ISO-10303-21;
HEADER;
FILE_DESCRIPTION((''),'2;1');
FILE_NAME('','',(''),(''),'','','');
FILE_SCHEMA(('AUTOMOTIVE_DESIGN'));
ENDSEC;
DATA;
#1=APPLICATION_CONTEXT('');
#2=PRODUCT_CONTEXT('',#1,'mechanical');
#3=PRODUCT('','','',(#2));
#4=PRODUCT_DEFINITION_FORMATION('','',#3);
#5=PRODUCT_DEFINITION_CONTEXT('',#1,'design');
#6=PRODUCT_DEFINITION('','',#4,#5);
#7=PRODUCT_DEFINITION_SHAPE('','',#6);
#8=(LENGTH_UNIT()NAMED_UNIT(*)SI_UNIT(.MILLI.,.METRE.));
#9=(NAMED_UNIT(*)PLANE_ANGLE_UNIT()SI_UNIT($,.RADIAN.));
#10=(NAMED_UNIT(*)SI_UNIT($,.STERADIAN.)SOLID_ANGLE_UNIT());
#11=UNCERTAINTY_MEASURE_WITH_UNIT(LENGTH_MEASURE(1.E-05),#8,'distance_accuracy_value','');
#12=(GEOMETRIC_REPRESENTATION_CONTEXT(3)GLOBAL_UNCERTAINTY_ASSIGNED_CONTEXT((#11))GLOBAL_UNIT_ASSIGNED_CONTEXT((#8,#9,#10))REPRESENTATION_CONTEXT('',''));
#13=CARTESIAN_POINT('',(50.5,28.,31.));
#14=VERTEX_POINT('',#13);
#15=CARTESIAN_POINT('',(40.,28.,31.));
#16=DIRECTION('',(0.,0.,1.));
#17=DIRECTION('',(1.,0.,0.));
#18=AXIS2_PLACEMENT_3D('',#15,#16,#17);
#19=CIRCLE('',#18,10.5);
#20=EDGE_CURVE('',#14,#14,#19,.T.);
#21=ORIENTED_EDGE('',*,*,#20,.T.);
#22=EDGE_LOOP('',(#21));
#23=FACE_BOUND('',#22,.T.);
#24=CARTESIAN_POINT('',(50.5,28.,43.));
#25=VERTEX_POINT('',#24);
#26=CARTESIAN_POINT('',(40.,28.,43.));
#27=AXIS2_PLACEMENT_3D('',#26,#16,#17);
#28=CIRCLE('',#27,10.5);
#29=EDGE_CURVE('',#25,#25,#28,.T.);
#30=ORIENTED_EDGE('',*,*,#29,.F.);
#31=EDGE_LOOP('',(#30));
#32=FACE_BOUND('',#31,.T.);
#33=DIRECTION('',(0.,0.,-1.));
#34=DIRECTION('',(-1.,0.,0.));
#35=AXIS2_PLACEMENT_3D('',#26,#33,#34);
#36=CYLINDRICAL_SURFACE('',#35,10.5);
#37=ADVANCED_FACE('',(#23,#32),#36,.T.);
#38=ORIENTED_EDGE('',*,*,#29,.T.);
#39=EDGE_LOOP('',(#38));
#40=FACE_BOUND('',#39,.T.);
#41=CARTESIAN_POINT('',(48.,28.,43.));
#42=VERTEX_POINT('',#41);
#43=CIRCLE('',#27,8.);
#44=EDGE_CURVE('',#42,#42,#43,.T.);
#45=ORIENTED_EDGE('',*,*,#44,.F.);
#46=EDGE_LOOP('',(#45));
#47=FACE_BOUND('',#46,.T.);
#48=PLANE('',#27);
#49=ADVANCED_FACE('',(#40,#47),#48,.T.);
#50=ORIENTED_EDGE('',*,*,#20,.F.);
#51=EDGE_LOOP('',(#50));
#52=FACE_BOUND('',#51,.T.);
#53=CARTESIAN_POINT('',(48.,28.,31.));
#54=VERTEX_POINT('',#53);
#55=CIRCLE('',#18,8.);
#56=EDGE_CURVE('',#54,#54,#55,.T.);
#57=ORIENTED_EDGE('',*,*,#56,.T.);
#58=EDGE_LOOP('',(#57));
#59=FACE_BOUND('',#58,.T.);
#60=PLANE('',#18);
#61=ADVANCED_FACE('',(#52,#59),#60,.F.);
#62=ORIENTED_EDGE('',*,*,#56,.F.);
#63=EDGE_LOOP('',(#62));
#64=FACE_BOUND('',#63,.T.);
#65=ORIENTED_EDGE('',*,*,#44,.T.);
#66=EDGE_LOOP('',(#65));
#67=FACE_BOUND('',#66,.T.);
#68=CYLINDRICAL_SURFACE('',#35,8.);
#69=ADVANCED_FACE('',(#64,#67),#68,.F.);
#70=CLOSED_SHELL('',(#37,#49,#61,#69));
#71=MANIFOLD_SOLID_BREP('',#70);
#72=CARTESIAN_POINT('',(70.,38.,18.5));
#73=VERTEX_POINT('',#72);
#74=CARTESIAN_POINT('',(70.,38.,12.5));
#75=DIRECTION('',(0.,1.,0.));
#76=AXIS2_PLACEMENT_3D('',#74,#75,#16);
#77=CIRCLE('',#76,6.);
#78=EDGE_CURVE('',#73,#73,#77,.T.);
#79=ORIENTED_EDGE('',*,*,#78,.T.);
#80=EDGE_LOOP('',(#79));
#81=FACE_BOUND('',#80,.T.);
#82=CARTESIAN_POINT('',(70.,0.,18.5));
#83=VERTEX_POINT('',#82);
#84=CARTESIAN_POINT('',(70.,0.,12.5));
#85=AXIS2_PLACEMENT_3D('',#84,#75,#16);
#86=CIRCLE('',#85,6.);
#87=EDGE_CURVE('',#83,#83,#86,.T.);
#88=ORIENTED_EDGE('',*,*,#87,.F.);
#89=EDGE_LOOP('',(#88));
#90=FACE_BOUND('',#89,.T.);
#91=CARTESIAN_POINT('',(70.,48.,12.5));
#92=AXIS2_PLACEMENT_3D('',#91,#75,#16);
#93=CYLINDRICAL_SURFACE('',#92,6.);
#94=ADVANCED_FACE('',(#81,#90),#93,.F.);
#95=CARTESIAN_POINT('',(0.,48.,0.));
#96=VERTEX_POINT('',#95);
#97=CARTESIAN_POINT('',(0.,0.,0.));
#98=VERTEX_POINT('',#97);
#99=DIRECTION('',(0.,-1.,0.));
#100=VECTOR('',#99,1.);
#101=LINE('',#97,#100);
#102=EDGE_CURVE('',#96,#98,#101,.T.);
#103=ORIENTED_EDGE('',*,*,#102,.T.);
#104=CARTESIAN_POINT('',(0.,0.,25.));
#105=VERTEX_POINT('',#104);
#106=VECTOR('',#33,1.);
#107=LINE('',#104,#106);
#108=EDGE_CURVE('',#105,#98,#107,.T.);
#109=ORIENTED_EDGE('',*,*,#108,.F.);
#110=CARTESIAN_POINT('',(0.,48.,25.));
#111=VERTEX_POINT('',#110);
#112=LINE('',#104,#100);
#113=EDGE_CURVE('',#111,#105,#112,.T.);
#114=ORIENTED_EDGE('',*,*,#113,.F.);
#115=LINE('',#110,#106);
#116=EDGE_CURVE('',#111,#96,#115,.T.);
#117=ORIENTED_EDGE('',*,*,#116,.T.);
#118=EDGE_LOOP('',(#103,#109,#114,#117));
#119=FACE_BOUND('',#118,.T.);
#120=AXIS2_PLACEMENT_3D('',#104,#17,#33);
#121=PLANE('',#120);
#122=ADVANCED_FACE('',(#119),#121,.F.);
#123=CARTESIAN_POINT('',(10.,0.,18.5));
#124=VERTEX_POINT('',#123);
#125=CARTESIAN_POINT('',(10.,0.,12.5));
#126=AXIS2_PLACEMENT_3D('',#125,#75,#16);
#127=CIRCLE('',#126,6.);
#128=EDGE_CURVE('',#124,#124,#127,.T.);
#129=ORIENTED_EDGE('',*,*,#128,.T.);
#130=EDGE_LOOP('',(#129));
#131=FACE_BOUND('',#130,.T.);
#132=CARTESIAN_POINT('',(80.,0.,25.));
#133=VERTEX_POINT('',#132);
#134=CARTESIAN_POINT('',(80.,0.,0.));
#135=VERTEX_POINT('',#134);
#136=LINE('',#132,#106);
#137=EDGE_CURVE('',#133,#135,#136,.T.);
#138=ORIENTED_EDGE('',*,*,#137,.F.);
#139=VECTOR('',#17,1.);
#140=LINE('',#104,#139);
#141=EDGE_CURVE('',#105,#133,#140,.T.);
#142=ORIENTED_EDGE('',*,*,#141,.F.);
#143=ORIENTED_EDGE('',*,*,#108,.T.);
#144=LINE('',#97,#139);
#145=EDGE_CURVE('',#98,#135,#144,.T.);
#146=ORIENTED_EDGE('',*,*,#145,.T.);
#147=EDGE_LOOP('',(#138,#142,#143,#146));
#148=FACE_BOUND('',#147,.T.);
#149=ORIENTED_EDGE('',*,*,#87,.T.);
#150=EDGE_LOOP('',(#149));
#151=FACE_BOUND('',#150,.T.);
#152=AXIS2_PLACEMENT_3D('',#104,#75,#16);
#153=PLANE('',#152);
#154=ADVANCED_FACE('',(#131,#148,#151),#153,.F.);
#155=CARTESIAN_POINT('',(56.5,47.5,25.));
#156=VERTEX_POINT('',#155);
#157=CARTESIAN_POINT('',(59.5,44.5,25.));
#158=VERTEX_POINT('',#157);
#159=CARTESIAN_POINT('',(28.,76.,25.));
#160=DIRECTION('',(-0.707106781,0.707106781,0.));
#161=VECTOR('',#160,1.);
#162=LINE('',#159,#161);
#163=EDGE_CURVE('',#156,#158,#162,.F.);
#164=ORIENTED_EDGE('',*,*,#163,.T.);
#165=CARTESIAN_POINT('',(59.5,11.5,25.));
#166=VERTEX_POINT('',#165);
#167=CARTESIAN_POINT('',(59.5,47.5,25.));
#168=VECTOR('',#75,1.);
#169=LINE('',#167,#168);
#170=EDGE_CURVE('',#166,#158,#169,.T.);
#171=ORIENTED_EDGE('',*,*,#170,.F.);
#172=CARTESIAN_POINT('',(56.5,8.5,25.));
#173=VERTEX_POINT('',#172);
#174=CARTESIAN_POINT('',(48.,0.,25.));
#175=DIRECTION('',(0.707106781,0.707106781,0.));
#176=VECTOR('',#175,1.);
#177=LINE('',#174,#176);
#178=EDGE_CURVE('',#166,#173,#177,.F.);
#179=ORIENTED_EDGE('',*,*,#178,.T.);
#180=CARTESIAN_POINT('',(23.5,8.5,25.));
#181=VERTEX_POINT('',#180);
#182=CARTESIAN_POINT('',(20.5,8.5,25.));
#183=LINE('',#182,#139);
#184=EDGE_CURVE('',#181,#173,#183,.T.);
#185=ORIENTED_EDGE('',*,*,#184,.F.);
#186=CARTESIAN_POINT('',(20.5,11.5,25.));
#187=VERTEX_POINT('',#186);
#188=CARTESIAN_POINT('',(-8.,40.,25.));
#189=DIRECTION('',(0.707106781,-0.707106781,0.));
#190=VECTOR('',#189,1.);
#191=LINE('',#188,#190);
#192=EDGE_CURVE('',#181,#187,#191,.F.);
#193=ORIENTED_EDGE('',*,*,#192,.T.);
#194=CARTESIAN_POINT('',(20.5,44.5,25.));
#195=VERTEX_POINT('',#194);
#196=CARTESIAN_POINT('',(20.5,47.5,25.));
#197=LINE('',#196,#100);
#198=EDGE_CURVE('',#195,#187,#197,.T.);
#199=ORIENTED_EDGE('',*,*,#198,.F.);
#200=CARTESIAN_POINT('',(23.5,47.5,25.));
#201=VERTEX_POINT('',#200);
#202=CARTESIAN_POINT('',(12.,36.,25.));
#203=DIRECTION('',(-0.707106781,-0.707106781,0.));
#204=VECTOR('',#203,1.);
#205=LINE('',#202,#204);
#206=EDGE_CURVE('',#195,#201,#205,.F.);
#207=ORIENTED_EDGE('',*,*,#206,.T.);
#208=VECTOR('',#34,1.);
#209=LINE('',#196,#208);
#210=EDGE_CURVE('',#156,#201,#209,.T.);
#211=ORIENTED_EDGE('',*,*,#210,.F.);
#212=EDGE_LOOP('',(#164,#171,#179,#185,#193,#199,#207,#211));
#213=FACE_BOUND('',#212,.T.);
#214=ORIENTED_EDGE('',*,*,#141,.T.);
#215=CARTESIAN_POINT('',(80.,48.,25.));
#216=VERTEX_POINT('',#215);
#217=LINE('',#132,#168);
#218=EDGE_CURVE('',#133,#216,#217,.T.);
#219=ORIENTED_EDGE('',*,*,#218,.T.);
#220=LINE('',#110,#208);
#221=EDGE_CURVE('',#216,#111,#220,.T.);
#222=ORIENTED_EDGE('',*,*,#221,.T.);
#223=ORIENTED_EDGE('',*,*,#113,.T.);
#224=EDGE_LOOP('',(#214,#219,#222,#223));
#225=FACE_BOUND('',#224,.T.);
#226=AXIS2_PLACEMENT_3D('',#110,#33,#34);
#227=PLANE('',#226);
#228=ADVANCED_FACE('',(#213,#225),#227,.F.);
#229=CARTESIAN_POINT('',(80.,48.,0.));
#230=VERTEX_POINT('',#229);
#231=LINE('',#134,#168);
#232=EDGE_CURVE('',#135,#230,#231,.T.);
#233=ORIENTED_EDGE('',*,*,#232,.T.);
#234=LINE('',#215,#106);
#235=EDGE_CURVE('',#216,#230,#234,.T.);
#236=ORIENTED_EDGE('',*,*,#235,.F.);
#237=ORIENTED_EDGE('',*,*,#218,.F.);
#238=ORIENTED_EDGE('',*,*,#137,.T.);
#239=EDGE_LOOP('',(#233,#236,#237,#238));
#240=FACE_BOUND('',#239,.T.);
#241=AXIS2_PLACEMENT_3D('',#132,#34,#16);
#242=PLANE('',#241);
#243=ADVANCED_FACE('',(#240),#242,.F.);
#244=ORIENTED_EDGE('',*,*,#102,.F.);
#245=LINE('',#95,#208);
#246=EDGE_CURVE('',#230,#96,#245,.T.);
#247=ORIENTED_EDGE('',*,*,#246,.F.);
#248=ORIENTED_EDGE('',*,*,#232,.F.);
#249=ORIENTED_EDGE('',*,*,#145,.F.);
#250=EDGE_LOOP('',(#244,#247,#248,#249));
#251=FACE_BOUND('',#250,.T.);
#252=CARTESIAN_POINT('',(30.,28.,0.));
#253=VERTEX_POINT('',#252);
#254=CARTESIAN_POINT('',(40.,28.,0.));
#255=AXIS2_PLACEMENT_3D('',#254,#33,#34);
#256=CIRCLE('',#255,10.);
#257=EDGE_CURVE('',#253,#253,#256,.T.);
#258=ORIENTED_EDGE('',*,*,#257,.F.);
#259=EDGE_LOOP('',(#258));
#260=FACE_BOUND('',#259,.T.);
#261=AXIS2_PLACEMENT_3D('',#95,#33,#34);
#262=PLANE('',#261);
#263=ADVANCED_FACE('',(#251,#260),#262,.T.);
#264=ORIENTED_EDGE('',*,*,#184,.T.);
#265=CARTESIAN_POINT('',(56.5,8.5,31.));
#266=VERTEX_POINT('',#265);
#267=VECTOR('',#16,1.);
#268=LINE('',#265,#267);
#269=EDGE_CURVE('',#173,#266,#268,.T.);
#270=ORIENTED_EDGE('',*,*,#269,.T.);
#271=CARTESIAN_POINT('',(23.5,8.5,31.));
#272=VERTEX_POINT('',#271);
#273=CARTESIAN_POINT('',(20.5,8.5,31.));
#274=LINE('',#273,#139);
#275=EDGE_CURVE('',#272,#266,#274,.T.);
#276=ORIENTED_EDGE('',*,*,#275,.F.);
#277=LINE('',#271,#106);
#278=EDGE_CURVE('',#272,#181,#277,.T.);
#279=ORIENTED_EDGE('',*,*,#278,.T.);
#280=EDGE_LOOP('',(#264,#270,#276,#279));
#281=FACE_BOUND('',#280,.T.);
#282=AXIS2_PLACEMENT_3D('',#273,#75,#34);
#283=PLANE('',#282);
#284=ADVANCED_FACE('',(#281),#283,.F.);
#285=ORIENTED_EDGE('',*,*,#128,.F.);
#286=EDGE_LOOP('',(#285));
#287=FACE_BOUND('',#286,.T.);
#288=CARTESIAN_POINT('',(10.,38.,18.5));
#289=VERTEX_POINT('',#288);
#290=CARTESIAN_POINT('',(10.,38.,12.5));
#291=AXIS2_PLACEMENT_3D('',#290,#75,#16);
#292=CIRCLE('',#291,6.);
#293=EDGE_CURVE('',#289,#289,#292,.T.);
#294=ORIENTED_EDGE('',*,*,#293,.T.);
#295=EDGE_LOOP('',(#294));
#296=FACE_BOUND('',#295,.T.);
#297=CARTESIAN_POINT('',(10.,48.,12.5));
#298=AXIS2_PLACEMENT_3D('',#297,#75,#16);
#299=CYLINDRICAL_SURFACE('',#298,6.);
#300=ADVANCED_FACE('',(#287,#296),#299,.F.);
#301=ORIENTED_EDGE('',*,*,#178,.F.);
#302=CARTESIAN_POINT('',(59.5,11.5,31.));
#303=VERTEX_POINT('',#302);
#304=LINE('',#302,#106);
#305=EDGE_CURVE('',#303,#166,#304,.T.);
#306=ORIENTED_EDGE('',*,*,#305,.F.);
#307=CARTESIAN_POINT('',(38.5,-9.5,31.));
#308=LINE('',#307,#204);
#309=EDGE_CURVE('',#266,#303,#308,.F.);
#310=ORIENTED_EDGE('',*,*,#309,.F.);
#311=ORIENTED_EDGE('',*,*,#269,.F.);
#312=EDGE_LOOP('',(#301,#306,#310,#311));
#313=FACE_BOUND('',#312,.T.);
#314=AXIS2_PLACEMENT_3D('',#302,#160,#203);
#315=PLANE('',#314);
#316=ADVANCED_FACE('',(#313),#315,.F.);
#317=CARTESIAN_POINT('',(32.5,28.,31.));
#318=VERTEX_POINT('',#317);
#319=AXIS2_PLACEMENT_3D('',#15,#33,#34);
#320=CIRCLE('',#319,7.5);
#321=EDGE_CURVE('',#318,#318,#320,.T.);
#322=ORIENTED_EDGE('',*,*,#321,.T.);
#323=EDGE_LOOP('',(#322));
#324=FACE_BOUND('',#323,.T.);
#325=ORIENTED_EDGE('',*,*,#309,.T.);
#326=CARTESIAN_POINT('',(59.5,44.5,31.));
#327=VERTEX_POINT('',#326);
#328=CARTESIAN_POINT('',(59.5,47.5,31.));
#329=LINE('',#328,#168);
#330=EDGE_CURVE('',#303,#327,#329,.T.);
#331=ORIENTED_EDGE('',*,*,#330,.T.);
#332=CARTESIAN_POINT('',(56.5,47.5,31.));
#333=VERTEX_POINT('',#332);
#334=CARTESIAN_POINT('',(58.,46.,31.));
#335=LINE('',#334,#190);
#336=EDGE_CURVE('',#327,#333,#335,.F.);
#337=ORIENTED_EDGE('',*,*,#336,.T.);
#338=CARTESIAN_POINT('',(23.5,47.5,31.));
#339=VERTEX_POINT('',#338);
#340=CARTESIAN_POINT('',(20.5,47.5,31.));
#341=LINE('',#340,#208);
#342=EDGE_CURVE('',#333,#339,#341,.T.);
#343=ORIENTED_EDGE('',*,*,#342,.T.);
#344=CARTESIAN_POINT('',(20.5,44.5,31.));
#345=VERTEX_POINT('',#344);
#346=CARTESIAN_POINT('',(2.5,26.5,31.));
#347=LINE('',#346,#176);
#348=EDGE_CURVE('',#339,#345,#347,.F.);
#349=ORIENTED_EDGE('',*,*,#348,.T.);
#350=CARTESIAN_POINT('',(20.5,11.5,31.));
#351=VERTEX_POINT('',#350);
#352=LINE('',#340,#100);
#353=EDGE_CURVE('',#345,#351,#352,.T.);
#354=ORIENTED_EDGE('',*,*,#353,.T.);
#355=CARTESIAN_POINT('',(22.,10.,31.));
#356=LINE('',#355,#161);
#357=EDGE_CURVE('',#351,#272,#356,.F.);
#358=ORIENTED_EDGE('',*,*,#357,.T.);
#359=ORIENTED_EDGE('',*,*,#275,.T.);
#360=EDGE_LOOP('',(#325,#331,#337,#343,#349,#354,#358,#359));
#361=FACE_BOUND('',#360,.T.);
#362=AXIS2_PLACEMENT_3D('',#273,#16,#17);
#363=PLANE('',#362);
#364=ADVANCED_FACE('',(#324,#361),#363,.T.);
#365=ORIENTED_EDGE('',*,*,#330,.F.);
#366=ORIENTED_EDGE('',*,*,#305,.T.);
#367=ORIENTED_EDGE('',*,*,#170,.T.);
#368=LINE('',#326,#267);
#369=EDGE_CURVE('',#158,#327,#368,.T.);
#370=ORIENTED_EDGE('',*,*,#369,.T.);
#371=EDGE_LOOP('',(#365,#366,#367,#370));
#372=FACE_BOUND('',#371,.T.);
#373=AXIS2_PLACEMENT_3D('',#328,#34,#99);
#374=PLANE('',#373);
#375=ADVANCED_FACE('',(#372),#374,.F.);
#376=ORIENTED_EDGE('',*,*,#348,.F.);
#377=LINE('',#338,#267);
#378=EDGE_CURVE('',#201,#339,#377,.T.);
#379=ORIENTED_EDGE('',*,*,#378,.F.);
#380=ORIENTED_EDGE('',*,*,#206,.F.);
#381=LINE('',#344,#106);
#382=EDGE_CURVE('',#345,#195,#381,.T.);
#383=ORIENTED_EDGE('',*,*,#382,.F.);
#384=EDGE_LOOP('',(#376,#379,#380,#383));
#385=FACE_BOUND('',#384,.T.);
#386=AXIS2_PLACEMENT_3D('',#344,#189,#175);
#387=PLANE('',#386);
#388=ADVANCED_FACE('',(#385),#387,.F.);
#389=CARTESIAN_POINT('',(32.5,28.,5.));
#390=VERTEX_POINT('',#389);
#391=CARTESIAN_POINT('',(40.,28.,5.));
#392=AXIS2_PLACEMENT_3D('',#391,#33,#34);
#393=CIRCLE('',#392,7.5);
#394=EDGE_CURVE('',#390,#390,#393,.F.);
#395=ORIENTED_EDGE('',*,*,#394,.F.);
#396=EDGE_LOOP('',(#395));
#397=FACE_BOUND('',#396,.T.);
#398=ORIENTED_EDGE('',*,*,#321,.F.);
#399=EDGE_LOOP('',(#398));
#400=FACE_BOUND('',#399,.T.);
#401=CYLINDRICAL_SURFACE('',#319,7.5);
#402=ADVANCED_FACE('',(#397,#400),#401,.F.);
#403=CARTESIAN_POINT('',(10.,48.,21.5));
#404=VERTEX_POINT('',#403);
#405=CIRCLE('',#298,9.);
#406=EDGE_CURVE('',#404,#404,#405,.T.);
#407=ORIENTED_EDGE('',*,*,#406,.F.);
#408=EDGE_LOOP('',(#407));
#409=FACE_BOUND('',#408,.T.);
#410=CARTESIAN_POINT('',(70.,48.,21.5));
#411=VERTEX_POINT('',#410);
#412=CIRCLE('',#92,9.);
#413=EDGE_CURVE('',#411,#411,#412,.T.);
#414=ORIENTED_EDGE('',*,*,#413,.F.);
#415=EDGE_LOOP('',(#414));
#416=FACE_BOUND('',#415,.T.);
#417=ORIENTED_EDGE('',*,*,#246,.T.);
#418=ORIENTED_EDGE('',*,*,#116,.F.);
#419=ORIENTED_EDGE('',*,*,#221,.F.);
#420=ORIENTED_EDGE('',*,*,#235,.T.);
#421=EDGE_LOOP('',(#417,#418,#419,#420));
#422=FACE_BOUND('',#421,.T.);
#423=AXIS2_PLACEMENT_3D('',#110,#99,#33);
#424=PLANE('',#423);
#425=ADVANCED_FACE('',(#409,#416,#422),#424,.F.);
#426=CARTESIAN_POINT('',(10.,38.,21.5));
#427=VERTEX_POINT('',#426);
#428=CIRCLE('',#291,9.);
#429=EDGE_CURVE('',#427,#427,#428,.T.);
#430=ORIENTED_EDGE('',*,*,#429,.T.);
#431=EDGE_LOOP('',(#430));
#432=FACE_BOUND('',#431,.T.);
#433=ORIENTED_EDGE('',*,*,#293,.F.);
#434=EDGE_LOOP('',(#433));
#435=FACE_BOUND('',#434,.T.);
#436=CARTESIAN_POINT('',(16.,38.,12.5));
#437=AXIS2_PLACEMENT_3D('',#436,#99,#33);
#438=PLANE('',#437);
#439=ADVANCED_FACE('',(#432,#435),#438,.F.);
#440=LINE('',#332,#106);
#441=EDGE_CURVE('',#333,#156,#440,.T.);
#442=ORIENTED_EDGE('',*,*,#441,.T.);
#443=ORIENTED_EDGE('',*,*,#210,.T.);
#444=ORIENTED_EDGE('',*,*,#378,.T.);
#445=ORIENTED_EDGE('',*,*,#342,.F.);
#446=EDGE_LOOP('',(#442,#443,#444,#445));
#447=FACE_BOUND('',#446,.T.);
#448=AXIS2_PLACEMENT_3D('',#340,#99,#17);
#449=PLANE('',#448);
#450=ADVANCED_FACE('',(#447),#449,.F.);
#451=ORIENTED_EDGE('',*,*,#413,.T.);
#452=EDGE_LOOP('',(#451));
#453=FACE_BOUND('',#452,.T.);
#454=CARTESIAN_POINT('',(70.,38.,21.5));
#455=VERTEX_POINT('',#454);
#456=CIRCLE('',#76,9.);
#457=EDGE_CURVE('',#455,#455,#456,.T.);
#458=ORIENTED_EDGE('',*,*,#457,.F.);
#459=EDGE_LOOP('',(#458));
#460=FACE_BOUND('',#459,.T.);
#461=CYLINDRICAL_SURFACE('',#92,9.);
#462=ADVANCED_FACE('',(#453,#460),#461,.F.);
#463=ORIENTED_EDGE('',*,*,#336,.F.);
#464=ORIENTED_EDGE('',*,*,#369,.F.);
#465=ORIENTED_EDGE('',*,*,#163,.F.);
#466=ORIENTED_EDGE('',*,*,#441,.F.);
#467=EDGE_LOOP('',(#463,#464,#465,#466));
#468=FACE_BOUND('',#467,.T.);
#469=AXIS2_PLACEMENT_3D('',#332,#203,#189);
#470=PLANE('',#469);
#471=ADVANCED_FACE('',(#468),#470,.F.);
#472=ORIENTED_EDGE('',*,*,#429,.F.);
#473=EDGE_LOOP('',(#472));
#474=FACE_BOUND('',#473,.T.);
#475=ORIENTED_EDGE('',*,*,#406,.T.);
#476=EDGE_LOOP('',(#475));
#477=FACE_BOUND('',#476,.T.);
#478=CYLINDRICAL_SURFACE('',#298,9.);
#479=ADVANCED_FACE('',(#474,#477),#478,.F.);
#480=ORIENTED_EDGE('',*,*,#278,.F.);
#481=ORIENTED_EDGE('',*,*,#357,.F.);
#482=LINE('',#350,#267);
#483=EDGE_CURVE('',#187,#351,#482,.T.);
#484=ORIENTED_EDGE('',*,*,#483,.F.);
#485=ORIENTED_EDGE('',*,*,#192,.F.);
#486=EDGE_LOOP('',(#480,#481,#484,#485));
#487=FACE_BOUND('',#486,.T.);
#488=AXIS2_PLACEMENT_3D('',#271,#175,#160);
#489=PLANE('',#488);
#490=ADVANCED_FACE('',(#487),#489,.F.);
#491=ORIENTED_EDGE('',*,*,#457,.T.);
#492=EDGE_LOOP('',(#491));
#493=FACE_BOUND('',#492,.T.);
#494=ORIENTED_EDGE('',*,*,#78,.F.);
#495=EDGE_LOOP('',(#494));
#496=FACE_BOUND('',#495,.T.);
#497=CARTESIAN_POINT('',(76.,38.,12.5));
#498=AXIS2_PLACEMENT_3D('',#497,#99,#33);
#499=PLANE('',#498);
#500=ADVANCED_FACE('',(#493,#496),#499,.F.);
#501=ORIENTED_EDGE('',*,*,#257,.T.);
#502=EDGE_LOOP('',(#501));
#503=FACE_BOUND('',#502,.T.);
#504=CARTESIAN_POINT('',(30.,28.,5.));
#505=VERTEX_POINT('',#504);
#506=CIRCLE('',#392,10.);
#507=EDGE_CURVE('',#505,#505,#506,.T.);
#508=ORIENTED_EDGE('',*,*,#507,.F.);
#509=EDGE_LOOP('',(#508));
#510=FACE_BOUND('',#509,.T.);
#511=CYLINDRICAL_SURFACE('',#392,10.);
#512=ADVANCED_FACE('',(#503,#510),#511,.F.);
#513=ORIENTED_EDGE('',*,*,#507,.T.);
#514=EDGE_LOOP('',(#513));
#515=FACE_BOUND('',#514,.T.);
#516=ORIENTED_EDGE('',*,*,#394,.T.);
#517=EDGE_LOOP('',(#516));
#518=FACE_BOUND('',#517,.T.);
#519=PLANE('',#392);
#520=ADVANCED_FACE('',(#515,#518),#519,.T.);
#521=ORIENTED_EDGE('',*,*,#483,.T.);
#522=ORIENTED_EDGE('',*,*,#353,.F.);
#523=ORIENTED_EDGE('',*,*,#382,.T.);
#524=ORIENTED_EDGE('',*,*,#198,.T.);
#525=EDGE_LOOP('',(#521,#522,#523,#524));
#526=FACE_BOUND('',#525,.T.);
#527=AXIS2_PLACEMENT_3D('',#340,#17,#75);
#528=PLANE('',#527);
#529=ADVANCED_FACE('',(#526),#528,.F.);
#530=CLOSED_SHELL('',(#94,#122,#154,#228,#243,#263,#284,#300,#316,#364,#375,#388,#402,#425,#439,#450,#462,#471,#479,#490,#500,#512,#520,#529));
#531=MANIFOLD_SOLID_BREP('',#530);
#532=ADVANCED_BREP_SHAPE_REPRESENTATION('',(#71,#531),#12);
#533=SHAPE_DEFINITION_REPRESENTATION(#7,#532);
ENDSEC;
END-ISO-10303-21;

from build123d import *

# Parameters (mm, degrees)
SKETCH_1_W                    = 80
SKETCH_1_H                    = 48
EXTRUDE_1_DEPTH               = 25
SKETCH_2_W                    = 39
SKETCH_2_H                    = 39
EXTRUDE_2_DEPTH               = 6
CHAMFER_1_SIZE                = 3
SKETCH_3_R                    = 7.5
CUT_EXTRUDE_1_DEPTH           = 99.310731866
SKETCH_4_R                    = 10
CUT_EXTRUDE_2_DEPTH           = 5
HOLE_WIZARD_M10_1_D           = 12
HOLE_WIZARD_M10_1_CBORE_D     = 18
HOLE_WIZARD_M10_1_CBORE_DEPTH = 10
SKETCH_8_R                    = 10.5
SKETCH_8_R_2                  = 8
EXTRUDE_4_DEPTH               = 12


with BuildPart() as part:
    # 草图1 → 凸台-拉伸1 (new body)
    with BuildSketch(Plane.XY):
        with Locations((40, 24)):
            Rectangle(SKETCH_1_W, SKETCH_1_H)
    extrude(amount=EXTRUDE_1_DEPTH)

    # 草图2 → 凸台-拉伸2 (add)
    with BuildSketch(Plane.XY.offset(25)):
        with Locations((40, 28)):
            Rectangle(SKETCH_2_W, SKETCH_2_H)
    extrude(amount=EXTRUDE_2_DEPTH)

    # 倒角1
    chamfer_1_edges = [part.edges().sort_by_distance(p)[0] for p in [
        (20.5, 47.5, 28),
        (20.5, 8.5, 28),
        (59.5, 8.5, 28),
        (59.5, 47.5, 28),
    ]]
    chamfer(chamfer_1_edges, length=CHAMFER_1_SIZE)

    # 草图3 → 切除-拉伸1 (cut, through all)
    with BuildSketch(Plane(origin=(0, 0, 0), x_dir=(-1, 0, 0), z_dir=(0, 0, -1))):
        with Locations((-40, 28)):
            Circle(SKETCH_3_R)
    extrude(amount=-CUT_EXTRUDE_1_DEPTH, mode=Mode.SUBTRACT)

    # 草图4 → 切除-拉伸2 (cut)
    with BuildSketch(Plane(origin=(0, 0, 0), x_dir=(-1, 0, 0), z_dir=(0, 0, -1))):
        with Locations((-40, 28)):
            Circle(SKETCH_4_R)
    extrude(amount=-CUT_EXTRUDE_2_DEPTH, mode=Mode.SUBTRACT)

    # M10 六角凹头螺钉的柱形沉头孔1 (through all)
    with Locations(Plane(origin=(0, 48, 0), x_dir=(-1, 0, 0), z_dir=(0, 1, 0))):
        with Locations((-70, 12.5), (-10, 12.5)):
            CounterBoreHole(HOLE_WIZARD_M10_1_D / 2, HOLE_WIZARD_M10_1_CBORE_D / 2, HOLE_WIZARD_M10_1_CBORE_DEPTH)


with BuildPart() as body_2:
    # 草图8 → 凸台-拉伸4 (new body)
    with BuildSketch(Plane.XY.offset(31)):
        with Locations((40, 28)):
            Circle(SKETCH_8_R)
        with Locations((40, 28)):
            Circle(SKETCH_8_R_2, mode=Mode.SUBTRACT)
    extrude(amount=EXTRUDE_4_DEPTH)


solid = Compound([part.part, body_2.part])
